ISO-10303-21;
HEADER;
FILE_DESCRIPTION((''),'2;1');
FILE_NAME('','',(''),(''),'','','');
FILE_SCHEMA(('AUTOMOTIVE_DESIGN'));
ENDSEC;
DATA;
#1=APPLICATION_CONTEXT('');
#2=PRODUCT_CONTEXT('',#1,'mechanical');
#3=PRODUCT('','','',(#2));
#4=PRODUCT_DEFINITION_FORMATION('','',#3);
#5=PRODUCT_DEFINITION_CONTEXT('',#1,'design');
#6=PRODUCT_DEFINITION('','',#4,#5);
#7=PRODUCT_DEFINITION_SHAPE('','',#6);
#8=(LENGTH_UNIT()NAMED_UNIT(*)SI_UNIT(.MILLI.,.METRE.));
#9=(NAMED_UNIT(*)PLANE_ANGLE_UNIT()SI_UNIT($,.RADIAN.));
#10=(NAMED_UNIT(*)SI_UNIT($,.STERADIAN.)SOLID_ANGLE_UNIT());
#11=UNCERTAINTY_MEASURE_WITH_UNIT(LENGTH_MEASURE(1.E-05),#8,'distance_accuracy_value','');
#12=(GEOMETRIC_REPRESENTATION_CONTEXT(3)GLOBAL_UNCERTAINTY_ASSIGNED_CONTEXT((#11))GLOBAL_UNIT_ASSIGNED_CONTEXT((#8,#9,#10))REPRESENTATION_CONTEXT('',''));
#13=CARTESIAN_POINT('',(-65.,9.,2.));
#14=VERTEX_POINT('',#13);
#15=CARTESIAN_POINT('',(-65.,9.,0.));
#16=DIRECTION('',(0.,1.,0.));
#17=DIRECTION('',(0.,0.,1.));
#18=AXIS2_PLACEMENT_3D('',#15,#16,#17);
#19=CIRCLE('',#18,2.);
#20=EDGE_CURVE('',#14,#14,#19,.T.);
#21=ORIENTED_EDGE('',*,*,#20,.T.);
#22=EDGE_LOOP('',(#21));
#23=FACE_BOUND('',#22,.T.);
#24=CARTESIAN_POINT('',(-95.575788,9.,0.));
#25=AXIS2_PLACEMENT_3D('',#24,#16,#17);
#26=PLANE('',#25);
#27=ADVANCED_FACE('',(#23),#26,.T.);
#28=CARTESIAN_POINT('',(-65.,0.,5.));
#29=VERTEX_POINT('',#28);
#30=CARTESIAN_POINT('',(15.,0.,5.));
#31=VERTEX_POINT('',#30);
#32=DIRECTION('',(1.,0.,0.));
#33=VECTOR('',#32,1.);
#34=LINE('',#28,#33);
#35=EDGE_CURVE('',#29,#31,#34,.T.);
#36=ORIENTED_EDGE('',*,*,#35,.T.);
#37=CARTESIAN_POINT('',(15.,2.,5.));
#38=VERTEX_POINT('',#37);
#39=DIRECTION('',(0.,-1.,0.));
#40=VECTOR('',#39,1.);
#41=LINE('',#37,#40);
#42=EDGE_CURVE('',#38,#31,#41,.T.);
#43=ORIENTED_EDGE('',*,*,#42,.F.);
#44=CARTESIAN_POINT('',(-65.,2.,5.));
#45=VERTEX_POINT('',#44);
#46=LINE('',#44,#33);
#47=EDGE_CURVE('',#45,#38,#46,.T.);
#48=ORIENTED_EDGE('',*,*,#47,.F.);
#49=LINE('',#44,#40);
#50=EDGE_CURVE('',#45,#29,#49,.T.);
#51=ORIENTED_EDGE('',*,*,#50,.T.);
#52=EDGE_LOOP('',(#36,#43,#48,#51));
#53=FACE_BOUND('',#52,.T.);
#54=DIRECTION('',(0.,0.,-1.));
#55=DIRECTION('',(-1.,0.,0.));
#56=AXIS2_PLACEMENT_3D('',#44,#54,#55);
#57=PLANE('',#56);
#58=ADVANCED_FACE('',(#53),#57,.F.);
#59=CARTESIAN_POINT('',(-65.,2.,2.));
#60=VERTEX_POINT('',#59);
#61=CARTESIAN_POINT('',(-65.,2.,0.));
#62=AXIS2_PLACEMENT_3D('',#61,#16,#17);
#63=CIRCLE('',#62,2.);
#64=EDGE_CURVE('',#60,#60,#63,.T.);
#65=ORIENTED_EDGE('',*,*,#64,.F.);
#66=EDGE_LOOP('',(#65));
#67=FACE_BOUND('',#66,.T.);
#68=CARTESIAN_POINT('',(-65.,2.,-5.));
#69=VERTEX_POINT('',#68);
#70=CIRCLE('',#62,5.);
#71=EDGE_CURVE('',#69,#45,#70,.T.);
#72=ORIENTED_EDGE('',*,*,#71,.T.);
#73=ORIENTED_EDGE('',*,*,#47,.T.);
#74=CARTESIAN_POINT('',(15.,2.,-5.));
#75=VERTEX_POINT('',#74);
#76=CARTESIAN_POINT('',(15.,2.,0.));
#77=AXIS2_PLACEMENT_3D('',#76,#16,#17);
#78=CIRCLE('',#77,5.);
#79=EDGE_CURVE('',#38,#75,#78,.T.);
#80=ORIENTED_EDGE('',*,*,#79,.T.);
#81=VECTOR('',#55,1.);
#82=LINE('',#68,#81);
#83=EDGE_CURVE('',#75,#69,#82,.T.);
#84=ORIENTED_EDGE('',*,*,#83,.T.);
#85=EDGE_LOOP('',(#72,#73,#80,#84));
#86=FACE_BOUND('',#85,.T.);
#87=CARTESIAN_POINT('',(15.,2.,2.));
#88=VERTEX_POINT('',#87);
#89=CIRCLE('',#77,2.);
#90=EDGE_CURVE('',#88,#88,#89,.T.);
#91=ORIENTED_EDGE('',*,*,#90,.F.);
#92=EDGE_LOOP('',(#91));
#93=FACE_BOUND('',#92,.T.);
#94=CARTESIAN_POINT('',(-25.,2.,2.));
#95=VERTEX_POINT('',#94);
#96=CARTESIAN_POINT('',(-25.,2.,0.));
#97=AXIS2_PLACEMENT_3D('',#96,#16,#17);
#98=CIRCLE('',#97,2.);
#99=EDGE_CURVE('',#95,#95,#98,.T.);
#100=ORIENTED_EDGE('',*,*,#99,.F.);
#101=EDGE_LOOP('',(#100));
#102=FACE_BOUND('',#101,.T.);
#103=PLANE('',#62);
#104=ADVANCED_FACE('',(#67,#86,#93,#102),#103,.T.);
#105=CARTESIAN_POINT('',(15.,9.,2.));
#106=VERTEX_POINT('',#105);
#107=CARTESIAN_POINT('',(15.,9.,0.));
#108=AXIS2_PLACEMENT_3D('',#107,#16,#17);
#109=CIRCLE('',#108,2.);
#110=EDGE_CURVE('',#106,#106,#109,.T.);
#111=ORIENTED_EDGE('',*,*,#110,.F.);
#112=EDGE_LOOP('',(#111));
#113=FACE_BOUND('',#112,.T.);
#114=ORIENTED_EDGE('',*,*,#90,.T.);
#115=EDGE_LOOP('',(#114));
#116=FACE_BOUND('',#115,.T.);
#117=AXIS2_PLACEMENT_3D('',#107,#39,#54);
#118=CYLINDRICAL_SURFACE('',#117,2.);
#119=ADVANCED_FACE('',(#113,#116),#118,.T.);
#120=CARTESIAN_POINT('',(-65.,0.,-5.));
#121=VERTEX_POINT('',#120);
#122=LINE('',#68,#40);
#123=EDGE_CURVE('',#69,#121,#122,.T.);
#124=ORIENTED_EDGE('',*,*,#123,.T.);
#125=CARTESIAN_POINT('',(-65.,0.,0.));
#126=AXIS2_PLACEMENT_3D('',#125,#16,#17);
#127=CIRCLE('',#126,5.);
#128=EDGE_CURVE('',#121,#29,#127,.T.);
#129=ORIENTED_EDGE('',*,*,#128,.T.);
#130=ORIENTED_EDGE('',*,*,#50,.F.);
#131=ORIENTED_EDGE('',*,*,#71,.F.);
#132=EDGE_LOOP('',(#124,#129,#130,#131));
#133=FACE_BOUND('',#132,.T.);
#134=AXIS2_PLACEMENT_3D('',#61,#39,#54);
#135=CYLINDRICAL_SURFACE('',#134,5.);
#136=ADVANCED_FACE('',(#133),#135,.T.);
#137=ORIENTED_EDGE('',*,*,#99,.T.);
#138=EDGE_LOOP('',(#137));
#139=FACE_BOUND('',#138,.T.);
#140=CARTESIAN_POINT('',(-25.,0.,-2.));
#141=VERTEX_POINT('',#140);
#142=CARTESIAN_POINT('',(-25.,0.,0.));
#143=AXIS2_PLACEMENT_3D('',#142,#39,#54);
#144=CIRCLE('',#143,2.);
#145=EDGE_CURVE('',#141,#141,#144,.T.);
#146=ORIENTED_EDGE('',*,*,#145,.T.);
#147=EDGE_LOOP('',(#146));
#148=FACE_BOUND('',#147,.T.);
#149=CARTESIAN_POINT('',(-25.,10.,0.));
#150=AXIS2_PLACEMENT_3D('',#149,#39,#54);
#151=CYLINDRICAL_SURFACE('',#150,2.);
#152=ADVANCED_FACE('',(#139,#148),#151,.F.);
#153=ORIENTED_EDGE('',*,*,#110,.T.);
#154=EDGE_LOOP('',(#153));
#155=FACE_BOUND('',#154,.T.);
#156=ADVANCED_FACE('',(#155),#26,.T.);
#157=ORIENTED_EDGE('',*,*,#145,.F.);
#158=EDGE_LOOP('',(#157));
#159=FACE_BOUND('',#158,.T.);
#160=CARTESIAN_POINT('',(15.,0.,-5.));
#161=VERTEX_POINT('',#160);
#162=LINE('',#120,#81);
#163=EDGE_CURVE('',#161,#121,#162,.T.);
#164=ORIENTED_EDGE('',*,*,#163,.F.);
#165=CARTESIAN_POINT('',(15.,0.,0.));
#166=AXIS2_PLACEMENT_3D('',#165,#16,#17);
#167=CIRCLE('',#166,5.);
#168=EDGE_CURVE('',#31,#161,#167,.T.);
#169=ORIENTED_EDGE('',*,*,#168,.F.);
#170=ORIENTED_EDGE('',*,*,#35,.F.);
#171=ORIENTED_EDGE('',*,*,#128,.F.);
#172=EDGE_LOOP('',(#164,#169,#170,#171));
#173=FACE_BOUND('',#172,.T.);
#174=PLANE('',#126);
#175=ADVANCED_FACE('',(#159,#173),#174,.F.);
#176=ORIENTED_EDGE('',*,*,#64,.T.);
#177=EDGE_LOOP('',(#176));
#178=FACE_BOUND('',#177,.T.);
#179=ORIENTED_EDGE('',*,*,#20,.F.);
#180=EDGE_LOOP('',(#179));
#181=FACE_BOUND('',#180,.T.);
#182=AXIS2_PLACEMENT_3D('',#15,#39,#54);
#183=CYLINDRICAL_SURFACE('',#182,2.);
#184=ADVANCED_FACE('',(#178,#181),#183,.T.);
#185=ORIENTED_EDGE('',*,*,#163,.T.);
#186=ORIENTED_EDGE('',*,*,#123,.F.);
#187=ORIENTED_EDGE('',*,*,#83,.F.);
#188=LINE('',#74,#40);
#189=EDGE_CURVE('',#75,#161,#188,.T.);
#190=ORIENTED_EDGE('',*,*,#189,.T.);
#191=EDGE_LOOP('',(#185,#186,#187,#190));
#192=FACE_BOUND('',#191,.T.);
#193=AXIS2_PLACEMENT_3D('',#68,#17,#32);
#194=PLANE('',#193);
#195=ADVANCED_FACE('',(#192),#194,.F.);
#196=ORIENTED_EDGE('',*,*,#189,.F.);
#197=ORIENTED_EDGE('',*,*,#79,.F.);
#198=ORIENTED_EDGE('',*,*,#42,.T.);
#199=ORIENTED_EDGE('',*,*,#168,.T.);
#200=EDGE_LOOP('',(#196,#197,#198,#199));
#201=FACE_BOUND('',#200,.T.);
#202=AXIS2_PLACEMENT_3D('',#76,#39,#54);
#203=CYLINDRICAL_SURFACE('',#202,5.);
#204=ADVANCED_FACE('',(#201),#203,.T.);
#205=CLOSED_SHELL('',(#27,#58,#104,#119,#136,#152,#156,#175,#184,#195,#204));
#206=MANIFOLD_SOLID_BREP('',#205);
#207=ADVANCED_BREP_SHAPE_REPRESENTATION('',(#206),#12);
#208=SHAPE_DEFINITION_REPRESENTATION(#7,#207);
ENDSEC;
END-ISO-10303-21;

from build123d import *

# Parameters (mm, degrees)
EXTRUDE_1_DEPTH     = 2
SKETCH_2_R          = 2
EXTRUDE_2_DEPTH     = 7
CUT_EXTRUDE_2_DEPTH = 10


with BuildPart() as part:
    # 草图1 → 凸台-拉伸1 (new body)
    with BuildSketch(Plane(origin=(0, 0, 0), x_dir=(1, 0, 0), z_dir=(0, 1, 0))):
        with BuildLine():
            Line((-65, 5), (15, 5))
            ThreePointArc((15, 5), (20, 0), (15, -5))
            Line((15, -5), (-65, -5))
            ThreePointArc((-65, -5), (-70, 0), (-65, 5))
        make_face()
    extrude(amount=EXTRUDE_1_DEPTH)

    # 草图2 → 凸台-拉伸2 (add)
    with BuildSketch(Plane(origin=(0, 2, 0), x_dir=(1, 0, 0), z_dir=(0, 1, 0))):
        with Locations((15, 0)):
            Circle(SKETCH_2_R)
        with BuildLine():
            ThreePointArc((-63, 0), (-63.585786438, 1.414213562), (-65, 2))
            Line((-65, 2), (-65, -2))
            ThreePointArc((-65, -2), (-63.585786438, -1.414213562), (-63, 0))
        make_face()
        with BuildLine():
            Line((-65, -2), (-65, 2))
            ThreePointArc((-65, 2), (-67, 0), (-65, -2))
        make_face()
    extrude(amount=EXTRUDE_2_DEPTH)

    # 草图4 → 切除-拉伸2 (cut)
    with BuildSketch(Plane.XZ):
        with BuildLine():
            ThreePointArc((-23.015444247, 0.248069469), (-25.248069469, 1.984555753), (-26.984555753, -0.248069469))
            Line((-26.984555753, -0.248069469), (-23.015444247, 0.248069469))
        make_face()
        with BuildLine():
            Line((-23.015444247, 0.248069469), (-26.984555753, -0.248069469))
            ThreePointArc((-26.984555753, -0.248069469), (-24.875725117, -1.996135204), (-23, 0))
            ThreePointArc((-23, 0), (-23.003864796, 0.124274883), (-23.015444247, 0.248069469))
        make_face()
    extrude(amount=-CUT_EXTRUDE_2_DEPTH, mode=Mode.SUBTRACT)


solid = part.part
